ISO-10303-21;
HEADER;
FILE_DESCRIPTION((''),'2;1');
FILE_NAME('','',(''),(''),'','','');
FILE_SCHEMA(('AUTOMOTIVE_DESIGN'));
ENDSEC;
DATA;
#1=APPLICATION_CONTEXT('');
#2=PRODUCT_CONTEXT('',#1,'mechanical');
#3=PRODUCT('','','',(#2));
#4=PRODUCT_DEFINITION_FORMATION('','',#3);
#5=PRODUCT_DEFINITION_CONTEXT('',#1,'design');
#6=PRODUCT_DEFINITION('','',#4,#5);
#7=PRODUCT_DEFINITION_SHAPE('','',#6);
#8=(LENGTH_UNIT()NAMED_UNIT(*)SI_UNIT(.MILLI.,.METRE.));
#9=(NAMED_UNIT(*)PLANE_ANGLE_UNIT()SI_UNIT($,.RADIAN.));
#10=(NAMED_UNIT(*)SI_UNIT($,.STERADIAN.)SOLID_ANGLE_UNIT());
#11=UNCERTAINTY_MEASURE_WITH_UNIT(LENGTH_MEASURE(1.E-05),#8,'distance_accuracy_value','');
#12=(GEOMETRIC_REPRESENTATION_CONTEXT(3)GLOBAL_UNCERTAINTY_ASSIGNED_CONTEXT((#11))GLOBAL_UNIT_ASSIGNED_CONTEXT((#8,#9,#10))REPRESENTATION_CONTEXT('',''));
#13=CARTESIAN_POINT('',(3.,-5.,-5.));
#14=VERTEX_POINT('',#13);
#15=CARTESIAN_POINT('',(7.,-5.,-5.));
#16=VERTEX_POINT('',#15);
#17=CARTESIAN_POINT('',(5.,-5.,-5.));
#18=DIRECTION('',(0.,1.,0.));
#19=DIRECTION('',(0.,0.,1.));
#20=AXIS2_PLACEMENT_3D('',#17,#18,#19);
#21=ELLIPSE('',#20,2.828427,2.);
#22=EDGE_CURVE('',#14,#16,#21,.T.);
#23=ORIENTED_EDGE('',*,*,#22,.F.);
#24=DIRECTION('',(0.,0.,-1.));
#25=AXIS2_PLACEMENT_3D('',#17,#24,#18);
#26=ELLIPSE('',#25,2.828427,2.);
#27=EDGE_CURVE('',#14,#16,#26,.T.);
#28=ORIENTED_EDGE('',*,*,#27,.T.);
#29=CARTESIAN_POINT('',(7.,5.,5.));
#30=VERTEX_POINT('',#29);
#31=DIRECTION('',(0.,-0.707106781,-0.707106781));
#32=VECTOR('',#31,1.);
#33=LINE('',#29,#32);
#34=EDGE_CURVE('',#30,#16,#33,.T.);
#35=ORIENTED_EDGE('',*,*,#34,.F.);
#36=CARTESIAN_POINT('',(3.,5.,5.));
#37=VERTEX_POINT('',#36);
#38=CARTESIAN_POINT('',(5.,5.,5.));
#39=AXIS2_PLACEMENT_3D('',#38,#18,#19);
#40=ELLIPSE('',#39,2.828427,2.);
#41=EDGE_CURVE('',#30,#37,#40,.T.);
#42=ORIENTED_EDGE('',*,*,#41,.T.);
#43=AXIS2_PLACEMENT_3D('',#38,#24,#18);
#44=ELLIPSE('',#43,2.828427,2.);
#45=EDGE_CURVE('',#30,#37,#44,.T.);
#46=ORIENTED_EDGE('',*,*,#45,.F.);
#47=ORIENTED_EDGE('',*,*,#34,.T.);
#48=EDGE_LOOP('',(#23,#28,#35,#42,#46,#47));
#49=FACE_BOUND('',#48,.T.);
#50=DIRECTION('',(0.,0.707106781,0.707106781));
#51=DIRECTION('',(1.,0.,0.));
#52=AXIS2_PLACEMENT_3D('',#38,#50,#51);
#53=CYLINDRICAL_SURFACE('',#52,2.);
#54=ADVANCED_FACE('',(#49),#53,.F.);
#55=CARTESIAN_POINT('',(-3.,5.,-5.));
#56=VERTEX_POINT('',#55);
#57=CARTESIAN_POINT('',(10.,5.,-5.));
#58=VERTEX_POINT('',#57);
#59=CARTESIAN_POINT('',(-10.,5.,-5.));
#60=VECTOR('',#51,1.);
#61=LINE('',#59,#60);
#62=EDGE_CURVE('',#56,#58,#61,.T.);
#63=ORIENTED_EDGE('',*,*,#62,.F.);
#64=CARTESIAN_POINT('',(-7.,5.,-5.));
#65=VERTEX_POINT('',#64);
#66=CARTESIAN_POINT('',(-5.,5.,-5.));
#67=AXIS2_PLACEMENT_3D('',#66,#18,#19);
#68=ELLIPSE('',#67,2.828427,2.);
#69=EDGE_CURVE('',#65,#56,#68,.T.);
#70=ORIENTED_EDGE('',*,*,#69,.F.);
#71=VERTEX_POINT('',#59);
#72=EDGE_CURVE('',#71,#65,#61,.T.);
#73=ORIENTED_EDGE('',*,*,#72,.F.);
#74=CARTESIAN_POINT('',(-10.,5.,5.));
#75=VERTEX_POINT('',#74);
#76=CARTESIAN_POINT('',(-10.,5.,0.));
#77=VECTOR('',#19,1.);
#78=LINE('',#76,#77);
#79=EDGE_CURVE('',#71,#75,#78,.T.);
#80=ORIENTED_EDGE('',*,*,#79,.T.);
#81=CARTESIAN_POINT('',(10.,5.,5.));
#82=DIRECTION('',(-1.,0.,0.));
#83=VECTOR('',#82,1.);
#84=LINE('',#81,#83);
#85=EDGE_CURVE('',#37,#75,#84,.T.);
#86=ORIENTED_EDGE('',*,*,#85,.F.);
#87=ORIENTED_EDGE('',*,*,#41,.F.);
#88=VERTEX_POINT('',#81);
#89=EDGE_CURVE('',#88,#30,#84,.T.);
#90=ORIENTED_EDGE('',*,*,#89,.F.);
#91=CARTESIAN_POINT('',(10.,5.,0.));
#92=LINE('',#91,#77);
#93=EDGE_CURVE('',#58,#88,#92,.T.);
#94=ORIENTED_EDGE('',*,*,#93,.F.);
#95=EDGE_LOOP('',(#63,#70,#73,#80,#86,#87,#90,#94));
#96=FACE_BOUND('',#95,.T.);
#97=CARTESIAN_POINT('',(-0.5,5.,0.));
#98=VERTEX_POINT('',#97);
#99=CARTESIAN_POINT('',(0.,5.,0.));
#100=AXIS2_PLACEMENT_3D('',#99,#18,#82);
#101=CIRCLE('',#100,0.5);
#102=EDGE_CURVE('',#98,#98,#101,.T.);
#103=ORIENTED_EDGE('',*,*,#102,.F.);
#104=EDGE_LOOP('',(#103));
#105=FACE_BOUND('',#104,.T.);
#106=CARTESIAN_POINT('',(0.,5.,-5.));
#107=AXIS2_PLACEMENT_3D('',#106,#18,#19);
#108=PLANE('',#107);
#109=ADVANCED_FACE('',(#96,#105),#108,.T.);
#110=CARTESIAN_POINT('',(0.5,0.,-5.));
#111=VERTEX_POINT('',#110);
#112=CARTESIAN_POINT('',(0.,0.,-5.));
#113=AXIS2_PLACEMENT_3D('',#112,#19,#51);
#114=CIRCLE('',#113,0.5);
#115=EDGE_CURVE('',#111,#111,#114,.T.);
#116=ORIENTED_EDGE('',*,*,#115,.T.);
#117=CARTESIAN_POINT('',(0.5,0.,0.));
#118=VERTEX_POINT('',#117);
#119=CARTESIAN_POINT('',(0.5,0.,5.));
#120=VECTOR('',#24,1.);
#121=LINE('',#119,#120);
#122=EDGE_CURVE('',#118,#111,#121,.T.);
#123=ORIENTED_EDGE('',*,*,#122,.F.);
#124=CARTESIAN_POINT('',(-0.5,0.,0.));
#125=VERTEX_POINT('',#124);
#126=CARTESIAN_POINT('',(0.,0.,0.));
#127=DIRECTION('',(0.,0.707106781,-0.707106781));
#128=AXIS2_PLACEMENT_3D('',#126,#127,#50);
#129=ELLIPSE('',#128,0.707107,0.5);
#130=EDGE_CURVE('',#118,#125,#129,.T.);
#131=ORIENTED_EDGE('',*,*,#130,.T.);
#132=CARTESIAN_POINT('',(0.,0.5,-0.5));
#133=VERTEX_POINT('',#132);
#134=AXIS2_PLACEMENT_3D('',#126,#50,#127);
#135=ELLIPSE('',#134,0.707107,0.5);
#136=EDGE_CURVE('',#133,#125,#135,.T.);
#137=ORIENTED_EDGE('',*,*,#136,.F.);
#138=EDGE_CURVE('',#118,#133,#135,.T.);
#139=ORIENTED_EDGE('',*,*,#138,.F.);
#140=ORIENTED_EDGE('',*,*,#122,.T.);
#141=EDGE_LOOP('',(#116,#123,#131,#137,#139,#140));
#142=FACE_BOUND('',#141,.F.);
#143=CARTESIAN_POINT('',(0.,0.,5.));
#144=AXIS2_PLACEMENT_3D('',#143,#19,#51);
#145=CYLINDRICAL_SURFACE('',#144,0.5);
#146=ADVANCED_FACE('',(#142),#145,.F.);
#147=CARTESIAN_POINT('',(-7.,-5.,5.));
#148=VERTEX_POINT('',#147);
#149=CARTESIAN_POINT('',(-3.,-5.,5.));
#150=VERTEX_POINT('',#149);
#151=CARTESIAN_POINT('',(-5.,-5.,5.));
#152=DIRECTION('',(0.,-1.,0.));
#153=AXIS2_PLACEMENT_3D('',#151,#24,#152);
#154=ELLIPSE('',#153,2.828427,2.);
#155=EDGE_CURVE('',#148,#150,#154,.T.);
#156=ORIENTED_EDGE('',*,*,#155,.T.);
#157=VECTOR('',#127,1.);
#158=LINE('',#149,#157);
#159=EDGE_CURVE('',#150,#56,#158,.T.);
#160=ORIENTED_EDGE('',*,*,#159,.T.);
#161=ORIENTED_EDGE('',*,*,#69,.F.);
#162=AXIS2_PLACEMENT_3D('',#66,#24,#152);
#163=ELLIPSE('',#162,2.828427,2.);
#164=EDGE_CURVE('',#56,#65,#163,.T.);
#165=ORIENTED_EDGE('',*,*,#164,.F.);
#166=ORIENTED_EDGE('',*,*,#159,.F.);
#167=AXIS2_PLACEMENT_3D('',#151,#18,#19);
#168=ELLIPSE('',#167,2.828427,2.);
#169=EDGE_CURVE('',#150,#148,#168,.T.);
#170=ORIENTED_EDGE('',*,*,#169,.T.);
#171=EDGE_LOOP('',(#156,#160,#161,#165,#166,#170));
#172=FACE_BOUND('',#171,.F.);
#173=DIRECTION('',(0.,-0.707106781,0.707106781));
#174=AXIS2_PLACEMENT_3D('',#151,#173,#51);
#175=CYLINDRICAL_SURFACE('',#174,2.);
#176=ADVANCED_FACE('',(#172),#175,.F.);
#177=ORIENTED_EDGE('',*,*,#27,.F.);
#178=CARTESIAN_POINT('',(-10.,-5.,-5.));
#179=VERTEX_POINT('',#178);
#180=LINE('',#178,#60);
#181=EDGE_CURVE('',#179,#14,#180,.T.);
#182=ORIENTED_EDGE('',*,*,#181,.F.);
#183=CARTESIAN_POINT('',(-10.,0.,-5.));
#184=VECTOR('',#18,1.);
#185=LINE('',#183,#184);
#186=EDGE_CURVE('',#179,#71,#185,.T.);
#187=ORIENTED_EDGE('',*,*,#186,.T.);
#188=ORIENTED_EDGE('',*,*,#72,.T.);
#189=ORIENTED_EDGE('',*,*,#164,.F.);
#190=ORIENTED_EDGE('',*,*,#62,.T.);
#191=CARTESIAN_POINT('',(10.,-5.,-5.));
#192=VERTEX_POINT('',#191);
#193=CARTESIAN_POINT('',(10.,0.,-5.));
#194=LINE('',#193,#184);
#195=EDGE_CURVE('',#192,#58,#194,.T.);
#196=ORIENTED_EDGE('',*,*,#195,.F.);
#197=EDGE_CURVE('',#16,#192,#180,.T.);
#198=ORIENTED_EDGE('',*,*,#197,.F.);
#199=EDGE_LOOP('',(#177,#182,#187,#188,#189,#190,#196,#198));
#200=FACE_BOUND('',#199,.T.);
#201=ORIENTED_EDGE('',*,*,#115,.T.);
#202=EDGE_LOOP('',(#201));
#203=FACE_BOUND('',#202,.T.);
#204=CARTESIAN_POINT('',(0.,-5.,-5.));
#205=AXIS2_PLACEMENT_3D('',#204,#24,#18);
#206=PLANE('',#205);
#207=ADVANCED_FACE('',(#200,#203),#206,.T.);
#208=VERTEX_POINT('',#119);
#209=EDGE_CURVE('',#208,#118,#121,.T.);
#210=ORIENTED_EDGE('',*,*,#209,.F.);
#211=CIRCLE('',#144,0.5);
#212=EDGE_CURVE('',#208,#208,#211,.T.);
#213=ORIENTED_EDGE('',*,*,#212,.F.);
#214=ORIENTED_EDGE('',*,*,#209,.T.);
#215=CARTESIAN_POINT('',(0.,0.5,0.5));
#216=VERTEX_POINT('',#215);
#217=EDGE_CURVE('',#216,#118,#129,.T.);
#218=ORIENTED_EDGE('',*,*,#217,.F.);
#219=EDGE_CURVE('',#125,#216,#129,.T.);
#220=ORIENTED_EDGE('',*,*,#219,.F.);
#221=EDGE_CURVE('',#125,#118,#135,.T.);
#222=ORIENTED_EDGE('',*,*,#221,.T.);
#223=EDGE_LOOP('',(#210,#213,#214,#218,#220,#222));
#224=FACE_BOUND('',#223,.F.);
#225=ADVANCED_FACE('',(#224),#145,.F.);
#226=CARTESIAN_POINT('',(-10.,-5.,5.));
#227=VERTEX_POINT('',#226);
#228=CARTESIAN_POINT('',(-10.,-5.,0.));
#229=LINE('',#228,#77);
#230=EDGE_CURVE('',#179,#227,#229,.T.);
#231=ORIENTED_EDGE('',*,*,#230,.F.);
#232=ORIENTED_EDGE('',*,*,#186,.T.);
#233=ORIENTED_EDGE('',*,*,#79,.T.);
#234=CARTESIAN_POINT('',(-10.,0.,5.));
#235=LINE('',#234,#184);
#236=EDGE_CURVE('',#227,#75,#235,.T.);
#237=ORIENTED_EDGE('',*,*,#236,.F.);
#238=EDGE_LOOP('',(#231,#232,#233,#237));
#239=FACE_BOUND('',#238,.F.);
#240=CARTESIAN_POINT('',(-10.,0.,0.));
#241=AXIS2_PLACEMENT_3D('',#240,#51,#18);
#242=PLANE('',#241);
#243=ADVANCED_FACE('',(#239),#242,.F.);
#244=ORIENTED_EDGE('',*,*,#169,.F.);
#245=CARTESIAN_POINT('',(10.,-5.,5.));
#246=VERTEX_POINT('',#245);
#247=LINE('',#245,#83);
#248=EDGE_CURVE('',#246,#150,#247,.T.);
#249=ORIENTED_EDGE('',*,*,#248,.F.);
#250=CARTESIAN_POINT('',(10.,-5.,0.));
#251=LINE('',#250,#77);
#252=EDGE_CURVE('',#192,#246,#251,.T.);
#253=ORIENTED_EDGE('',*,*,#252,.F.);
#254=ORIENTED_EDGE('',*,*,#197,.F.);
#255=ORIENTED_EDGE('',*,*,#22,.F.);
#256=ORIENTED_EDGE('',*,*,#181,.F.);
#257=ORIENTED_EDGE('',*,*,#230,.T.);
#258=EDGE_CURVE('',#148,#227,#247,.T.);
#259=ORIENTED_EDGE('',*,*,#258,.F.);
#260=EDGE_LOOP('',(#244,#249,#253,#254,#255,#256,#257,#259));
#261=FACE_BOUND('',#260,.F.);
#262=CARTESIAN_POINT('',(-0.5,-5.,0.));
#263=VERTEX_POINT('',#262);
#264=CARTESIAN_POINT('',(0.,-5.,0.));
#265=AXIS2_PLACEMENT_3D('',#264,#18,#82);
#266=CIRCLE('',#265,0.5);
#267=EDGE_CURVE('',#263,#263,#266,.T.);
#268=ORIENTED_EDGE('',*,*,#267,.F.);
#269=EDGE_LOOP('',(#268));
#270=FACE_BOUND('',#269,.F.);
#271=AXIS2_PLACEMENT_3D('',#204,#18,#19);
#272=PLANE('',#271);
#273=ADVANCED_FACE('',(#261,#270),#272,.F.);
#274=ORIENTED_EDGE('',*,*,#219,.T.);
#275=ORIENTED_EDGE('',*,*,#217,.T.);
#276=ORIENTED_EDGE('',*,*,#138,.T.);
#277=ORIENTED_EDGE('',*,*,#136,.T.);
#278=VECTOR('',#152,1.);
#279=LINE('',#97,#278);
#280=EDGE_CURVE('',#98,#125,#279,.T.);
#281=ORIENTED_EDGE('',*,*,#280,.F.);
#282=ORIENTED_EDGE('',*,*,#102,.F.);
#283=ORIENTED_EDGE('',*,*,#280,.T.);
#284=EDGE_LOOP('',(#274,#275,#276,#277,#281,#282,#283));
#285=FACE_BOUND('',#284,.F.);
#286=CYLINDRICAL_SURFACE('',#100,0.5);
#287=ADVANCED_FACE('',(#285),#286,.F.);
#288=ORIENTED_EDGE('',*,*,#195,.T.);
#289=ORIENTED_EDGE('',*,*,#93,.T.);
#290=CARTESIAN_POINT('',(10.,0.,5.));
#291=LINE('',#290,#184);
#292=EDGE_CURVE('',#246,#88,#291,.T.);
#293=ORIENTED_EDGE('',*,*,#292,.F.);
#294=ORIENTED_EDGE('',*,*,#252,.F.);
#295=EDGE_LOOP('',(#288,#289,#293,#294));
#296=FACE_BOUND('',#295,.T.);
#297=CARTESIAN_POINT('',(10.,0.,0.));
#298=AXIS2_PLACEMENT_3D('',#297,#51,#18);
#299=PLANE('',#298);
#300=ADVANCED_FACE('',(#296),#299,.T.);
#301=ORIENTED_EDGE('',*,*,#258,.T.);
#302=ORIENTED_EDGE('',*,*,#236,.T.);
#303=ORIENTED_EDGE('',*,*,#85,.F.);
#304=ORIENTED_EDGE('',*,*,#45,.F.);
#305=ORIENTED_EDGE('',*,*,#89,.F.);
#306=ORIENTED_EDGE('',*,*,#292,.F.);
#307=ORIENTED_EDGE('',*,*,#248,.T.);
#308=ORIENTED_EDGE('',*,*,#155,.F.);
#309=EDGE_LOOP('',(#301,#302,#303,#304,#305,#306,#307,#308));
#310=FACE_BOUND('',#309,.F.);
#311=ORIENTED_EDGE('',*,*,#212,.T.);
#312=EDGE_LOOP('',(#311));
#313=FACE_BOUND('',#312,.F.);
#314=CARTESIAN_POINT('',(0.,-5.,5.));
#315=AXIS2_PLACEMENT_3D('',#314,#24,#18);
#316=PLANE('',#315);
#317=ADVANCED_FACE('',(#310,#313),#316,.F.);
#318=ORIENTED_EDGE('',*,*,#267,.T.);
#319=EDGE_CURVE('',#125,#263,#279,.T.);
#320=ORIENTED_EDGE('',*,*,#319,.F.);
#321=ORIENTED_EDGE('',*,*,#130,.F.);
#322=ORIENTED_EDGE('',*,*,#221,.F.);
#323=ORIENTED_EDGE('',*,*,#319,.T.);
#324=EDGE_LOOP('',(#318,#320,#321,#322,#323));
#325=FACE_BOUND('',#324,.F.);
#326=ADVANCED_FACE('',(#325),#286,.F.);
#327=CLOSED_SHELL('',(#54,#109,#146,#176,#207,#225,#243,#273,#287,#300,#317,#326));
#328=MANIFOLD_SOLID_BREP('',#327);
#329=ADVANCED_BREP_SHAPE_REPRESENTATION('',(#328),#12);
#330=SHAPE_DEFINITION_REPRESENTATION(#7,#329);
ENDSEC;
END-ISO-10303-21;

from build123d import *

# Parameters (mm, degrees)
F0_W      = 10
F0_H      = 10
F1_DEPTH  = 10
F3_R      = 2
F4_DEPTH  = 14.143136
F6_R      = 2
F7_DEPTH  = 14.143136
F8_R      = 0.5
F9_DEPTH  = 10.001
F10_R     = 0.5
F11_DEPTH = 10.001


with BuildPart() as f1:
    # F0 (on Right) → F1 (new body, symmetric)
    with BuildSketch(Plane.YZ):
        Rectangle(F0_W, F0_H)
    extrude(amount=F1_DEPTH, both=True)

    # F3 (on face) → F4 (cut, through all)
    with BuildSketch(Plane(origin=(0, -5, 5), x_dir=(1, 0, 0), z_dir=(0, -0.707107, 0.707107))):
        with Locations((-5, 0)):
            Circle(F3_R)
    extrude(amount=-F4_DEPTH, mode=Mode.SUBTRACT)

    # F6 (on face) → F7 (cut, through all)
    with BuildSketch(Plane(origin=(0, 5, 5), x_dir=(1, 0, 0), z_dir=(0, -0.707107, -0.707107))):
        with Locations((5, 0)):
            Circle(F6_R)
    extrude(amount=F7_DEPTH, mode=Mode.SUBTRACT)

    # F8 (on face) → F9 (cut, through all)
    with BuildSketch(Plane(origin=(0, 5, 0), x_dir=(-1, 0, 0), z_dir=(0, 1, 0))):
        Circle(F8_R)
    extrude(amount=-F9_DEPTH, mode=Mode.SUBTRACT)

    # F10 (on face) → F11 (cut, through all)
    with BuildSketch(Plane.XY.offset(5)):
        Circle(F10_R)
    extrude(amount=-F11_DEPTH, mode=Mode.SUBTRACT)


solid = f1.part
